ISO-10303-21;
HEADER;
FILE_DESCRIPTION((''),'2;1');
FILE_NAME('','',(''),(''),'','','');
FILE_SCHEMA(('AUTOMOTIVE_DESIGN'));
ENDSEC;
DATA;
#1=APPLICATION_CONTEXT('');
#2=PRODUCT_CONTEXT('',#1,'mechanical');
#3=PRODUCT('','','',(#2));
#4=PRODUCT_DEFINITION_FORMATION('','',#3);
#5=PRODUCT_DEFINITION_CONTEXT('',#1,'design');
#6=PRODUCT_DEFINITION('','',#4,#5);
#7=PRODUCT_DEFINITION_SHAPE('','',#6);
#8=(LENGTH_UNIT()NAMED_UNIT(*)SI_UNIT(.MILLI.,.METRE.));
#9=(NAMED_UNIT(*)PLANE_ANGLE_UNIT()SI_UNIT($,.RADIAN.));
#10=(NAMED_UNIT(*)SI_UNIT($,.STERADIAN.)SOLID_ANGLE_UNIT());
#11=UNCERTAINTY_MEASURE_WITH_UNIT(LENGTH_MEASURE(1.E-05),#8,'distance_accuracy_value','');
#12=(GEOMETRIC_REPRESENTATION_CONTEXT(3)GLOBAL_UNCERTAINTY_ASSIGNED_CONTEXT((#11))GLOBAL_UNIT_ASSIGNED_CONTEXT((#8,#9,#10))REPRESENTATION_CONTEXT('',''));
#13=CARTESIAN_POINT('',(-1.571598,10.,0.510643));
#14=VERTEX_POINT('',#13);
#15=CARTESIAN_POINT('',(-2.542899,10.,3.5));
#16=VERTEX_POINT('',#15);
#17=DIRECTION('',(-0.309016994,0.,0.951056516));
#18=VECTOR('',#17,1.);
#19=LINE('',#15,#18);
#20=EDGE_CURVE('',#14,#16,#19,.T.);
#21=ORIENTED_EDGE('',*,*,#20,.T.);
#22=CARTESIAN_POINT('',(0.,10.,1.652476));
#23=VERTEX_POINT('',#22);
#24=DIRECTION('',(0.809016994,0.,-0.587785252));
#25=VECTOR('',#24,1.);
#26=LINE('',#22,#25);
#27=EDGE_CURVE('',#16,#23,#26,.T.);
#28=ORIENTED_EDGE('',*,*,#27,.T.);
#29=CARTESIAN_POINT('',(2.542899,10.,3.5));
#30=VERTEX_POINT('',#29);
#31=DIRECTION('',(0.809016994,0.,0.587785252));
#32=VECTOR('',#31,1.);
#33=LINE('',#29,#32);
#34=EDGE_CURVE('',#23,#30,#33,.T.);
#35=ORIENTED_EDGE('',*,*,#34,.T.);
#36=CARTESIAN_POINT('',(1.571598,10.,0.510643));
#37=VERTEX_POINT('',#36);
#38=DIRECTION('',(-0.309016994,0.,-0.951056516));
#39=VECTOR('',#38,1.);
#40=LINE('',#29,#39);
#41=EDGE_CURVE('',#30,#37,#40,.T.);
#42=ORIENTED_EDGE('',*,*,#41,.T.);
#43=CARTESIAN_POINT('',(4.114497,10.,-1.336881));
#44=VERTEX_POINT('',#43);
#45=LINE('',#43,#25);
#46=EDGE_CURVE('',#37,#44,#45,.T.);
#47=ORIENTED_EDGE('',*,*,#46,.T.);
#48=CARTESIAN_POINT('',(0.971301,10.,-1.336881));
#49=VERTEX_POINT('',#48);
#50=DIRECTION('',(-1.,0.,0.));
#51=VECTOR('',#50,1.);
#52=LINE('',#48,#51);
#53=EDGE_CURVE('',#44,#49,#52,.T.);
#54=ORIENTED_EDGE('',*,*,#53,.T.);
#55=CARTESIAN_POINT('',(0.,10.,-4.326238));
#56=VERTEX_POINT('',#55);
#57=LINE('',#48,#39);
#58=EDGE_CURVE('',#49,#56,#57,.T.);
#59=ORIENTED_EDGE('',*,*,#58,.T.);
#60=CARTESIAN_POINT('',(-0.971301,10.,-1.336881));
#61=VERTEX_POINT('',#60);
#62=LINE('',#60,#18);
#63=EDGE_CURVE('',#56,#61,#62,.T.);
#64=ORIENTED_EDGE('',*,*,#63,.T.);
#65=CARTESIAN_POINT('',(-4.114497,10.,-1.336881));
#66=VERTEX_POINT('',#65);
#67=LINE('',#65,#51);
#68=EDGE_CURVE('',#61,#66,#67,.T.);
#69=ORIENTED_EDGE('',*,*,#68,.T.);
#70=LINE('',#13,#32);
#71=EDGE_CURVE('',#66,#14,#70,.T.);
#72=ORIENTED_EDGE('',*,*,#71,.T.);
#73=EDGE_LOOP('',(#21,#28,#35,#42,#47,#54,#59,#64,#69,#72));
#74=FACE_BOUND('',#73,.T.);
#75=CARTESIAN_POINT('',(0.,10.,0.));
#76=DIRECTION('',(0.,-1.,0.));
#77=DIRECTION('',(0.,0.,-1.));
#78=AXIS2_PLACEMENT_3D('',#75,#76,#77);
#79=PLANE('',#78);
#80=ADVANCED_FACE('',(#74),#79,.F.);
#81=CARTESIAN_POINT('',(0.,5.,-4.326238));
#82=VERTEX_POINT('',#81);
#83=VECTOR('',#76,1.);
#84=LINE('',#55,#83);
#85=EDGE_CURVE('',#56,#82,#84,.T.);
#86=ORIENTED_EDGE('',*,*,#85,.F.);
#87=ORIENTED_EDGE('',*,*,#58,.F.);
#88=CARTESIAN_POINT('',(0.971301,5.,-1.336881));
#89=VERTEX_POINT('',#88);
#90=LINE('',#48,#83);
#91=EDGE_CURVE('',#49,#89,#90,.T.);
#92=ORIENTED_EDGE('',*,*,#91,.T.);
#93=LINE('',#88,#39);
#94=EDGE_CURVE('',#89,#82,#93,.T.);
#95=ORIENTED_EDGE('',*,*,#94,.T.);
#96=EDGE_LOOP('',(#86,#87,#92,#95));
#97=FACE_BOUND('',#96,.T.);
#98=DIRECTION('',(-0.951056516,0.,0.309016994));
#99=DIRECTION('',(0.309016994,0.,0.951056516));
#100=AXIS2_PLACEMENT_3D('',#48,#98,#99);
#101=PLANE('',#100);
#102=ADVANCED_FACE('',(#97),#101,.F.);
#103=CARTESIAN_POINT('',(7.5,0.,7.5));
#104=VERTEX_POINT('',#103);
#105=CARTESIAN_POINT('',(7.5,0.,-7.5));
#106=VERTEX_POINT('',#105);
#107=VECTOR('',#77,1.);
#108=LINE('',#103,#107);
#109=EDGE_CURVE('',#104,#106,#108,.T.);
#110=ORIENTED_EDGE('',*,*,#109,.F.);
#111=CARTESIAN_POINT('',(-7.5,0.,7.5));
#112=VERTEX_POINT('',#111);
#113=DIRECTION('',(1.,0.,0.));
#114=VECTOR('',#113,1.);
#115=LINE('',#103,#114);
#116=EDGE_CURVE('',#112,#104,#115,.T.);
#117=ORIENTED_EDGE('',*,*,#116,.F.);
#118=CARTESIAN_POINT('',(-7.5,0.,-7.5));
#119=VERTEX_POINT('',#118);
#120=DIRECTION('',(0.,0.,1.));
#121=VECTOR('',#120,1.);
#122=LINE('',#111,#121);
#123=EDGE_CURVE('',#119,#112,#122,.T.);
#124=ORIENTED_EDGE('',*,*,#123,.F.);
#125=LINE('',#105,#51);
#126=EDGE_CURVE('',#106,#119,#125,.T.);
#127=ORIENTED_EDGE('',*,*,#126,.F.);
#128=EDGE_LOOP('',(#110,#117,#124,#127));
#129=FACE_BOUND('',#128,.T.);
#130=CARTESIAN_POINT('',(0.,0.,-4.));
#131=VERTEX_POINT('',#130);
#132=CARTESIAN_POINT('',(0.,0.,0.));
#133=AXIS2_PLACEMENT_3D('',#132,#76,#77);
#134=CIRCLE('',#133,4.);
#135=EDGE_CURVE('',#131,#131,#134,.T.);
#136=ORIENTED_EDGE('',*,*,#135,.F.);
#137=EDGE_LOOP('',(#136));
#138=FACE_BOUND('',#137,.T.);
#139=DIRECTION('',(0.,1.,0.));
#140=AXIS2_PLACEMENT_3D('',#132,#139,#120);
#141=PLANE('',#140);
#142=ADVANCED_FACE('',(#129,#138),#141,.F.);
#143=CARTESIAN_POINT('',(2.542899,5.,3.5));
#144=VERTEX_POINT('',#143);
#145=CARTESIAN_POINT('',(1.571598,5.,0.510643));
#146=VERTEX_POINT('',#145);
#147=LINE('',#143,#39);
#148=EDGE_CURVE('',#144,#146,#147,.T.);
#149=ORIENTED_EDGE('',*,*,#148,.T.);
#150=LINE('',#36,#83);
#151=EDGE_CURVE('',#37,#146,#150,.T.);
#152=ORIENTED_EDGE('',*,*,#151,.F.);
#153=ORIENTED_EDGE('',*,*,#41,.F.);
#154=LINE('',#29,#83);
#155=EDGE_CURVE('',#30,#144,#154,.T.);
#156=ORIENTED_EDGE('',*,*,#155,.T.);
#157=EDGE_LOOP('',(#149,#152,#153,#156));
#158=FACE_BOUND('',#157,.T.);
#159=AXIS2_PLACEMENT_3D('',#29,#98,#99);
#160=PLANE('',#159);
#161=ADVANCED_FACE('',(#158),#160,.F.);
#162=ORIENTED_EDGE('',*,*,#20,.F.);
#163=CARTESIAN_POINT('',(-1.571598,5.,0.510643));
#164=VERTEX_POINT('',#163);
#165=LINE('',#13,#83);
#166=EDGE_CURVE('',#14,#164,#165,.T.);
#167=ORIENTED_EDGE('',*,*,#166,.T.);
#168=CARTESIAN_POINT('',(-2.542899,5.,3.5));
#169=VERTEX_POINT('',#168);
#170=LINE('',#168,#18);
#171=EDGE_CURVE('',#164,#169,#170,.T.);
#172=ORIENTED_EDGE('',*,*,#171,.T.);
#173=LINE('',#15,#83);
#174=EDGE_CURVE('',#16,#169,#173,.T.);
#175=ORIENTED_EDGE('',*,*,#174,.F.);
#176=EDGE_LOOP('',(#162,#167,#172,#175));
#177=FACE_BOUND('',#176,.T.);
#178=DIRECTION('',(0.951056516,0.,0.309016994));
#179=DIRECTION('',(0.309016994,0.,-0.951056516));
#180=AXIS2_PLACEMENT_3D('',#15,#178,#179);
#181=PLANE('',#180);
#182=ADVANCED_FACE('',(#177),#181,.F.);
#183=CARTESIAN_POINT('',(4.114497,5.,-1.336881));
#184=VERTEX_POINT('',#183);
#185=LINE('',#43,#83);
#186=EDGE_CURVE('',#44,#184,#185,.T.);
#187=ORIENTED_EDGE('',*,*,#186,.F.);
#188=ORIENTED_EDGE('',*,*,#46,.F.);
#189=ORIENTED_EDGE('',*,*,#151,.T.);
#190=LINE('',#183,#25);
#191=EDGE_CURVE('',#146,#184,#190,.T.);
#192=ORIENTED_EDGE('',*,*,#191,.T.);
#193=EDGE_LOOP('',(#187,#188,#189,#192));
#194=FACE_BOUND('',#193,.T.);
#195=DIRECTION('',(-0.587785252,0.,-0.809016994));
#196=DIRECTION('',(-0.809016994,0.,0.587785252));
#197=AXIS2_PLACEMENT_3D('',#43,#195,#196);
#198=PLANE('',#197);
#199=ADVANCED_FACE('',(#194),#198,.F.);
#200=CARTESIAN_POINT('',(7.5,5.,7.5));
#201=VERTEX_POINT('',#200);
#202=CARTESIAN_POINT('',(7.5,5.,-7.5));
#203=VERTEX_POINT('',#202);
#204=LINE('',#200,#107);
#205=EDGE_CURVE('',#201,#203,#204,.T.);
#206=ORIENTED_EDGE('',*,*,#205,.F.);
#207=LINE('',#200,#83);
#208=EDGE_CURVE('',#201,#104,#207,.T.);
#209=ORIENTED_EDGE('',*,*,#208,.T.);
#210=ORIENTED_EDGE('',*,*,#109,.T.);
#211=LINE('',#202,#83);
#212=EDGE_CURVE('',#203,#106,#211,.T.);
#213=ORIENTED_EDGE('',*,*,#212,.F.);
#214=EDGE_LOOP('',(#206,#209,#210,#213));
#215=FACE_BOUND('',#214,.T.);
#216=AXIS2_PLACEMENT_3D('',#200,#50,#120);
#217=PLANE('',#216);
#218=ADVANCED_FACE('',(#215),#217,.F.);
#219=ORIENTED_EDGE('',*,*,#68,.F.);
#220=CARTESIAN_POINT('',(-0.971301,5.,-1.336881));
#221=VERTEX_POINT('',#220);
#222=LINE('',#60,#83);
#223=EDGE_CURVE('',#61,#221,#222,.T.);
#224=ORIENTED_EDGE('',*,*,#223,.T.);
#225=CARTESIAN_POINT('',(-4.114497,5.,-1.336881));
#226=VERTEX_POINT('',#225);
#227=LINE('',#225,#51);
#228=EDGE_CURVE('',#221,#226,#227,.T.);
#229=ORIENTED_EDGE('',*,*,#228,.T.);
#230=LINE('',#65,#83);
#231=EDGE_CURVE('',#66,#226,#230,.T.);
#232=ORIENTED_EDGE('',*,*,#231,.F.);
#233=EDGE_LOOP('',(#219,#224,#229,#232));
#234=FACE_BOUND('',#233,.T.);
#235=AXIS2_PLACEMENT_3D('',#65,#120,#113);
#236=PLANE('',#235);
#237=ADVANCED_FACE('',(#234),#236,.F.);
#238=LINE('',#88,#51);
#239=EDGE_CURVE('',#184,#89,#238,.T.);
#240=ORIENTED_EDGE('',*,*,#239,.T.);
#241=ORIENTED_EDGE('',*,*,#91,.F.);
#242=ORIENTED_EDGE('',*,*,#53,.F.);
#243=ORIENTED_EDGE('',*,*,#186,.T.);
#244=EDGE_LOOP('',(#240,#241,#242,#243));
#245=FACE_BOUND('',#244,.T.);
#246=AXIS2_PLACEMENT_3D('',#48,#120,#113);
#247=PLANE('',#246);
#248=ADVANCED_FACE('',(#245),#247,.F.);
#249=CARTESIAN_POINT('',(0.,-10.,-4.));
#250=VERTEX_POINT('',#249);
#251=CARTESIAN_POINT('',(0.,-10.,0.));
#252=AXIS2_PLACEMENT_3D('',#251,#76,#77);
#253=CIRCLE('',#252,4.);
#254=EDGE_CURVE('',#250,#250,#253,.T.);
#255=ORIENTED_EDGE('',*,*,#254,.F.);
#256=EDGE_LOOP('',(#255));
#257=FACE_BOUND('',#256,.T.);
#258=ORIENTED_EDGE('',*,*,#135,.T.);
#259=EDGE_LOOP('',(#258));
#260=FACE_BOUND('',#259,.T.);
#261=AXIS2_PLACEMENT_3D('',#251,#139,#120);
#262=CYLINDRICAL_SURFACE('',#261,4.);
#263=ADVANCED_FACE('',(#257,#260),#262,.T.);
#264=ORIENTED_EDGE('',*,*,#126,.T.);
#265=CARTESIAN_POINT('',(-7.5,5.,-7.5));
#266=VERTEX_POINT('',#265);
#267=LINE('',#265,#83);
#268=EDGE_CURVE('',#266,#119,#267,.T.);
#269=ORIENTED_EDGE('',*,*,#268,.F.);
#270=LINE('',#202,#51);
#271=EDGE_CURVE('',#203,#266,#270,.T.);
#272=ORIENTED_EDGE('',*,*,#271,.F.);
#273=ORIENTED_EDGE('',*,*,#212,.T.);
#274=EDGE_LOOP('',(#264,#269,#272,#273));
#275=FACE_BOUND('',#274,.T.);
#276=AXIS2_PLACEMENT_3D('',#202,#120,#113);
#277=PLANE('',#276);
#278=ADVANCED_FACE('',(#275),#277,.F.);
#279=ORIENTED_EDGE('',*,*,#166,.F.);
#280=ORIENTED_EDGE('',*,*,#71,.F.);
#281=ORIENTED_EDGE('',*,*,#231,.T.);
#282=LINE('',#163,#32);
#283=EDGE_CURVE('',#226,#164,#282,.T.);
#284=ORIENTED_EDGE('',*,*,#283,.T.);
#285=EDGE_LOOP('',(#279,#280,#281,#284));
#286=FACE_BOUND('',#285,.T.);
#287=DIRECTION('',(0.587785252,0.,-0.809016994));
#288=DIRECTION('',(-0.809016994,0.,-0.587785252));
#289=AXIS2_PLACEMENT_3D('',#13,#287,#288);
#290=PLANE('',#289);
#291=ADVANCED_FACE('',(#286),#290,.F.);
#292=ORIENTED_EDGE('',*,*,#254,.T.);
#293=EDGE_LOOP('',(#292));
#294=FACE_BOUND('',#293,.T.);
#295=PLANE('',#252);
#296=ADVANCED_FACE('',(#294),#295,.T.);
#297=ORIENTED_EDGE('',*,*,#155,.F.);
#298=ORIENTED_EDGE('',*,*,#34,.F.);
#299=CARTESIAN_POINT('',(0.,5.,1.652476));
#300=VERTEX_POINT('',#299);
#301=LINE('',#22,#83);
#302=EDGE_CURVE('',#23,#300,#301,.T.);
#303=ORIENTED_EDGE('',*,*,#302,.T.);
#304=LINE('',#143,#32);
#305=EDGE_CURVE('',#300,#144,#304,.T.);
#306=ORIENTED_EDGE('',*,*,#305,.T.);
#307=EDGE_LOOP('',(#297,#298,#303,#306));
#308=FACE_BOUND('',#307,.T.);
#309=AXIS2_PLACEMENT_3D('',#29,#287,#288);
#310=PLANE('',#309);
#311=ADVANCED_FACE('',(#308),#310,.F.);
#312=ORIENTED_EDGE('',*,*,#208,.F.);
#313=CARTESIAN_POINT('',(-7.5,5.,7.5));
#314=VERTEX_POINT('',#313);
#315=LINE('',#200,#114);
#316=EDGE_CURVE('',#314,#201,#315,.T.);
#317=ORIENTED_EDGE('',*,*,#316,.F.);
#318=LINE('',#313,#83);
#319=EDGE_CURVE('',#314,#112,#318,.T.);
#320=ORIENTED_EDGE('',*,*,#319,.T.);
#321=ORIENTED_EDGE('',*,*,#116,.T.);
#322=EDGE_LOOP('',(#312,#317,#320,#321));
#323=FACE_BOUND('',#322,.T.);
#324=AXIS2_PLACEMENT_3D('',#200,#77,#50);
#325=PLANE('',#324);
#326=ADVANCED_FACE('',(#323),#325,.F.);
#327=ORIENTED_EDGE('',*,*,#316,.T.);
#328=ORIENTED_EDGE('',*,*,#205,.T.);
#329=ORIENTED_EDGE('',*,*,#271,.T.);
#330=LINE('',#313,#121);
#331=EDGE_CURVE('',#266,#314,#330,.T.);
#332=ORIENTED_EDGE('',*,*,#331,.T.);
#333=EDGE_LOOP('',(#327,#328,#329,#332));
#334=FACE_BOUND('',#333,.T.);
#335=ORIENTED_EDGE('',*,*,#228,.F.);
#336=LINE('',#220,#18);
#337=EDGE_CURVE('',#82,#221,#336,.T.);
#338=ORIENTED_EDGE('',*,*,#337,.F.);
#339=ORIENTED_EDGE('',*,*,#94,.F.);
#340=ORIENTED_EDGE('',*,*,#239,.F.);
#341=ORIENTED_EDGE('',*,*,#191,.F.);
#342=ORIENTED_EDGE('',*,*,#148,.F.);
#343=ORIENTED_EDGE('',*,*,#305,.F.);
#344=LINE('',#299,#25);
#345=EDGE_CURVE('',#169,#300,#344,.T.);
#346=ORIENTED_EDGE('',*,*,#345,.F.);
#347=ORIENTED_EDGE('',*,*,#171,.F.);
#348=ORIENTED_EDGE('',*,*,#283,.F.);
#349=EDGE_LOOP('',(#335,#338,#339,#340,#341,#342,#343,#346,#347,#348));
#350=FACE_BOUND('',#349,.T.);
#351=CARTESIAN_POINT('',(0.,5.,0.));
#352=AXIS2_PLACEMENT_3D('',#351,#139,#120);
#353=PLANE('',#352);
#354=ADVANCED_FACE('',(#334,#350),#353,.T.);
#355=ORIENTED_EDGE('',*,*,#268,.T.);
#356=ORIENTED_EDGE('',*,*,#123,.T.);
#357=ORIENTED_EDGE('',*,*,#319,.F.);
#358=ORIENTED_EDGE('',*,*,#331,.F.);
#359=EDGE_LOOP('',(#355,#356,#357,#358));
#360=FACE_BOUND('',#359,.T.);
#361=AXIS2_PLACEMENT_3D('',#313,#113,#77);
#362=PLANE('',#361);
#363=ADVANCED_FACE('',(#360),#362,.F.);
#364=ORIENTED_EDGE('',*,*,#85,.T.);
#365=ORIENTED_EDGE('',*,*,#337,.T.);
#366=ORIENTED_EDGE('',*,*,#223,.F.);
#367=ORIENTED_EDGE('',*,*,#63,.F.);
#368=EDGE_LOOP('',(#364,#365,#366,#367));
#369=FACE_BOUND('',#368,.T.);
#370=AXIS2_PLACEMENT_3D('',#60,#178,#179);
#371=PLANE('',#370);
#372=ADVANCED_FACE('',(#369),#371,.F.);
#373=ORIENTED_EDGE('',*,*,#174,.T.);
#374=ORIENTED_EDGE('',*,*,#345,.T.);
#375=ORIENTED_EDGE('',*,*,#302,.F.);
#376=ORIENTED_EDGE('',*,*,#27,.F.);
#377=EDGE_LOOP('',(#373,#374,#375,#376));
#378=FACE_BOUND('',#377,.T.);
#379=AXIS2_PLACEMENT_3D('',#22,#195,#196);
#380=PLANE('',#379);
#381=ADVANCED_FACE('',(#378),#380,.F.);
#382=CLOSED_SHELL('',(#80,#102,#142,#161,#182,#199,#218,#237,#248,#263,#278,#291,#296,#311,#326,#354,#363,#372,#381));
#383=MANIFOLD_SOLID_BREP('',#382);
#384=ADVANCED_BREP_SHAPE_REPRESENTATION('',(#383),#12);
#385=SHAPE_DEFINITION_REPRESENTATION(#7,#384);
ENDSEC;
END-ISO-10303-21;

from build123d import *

# Parameters (mm, degrees)
SKETCH1_W           = 15
SKETCH1_H           = 15
BOSS_EXTRUDE1_DEPTH = 5
SKETCH5_R           = 4
BOSS_EXTRUDE3_DEPTH = 10
BOSS_EXTRUDE4_DEPTH = 5


with BuildPart() as part:
    # Sketch1 → Boss-Extrude1 (new body)
    with BuildSketch(Plane(origin=(0, 0, 0), x_dir=(1, 0, 0), z_dir=(0, 1, 0))):
        Rectangle(SKETCH1_W, SKETCH1_H)
    extrude(amount=BOSS_EXTRUDE1_DEPTH)

    # Sketch5 → Boss-Extrude3 (add)
    with BuildSketch(Plane.XZ):
        with Locations(Location((0, 0, 0), (0, 0, 270))):
            Circle(SKETCH5_R)
    extrude(amount=BOSS_EXTRUDE3_DEPTH)

    # Sketch6 → Boss-Extrude4 (add)
    with BuildSketch(Plane(origin=(0, 5, 0), x_dir=(1, 0, 0), z_dir=(0, 1, 0))):
        Polygon((-2.542898848, -3.5), (-1.571597918, -0.510643118), (-4.114496766, 1.336881039), (-0.97130093, 1.336881039), (0, 4.326237921), (0.97130093, 1.336881039), (4.114496766, 1.336881039), (1.571597918, -0.510643118), (2.542898848, -3.5), (0, -1.652475842), align=None)
    extrude(amount=BOSS_EXTRUDE4_DEPTH)


solid = part.part
